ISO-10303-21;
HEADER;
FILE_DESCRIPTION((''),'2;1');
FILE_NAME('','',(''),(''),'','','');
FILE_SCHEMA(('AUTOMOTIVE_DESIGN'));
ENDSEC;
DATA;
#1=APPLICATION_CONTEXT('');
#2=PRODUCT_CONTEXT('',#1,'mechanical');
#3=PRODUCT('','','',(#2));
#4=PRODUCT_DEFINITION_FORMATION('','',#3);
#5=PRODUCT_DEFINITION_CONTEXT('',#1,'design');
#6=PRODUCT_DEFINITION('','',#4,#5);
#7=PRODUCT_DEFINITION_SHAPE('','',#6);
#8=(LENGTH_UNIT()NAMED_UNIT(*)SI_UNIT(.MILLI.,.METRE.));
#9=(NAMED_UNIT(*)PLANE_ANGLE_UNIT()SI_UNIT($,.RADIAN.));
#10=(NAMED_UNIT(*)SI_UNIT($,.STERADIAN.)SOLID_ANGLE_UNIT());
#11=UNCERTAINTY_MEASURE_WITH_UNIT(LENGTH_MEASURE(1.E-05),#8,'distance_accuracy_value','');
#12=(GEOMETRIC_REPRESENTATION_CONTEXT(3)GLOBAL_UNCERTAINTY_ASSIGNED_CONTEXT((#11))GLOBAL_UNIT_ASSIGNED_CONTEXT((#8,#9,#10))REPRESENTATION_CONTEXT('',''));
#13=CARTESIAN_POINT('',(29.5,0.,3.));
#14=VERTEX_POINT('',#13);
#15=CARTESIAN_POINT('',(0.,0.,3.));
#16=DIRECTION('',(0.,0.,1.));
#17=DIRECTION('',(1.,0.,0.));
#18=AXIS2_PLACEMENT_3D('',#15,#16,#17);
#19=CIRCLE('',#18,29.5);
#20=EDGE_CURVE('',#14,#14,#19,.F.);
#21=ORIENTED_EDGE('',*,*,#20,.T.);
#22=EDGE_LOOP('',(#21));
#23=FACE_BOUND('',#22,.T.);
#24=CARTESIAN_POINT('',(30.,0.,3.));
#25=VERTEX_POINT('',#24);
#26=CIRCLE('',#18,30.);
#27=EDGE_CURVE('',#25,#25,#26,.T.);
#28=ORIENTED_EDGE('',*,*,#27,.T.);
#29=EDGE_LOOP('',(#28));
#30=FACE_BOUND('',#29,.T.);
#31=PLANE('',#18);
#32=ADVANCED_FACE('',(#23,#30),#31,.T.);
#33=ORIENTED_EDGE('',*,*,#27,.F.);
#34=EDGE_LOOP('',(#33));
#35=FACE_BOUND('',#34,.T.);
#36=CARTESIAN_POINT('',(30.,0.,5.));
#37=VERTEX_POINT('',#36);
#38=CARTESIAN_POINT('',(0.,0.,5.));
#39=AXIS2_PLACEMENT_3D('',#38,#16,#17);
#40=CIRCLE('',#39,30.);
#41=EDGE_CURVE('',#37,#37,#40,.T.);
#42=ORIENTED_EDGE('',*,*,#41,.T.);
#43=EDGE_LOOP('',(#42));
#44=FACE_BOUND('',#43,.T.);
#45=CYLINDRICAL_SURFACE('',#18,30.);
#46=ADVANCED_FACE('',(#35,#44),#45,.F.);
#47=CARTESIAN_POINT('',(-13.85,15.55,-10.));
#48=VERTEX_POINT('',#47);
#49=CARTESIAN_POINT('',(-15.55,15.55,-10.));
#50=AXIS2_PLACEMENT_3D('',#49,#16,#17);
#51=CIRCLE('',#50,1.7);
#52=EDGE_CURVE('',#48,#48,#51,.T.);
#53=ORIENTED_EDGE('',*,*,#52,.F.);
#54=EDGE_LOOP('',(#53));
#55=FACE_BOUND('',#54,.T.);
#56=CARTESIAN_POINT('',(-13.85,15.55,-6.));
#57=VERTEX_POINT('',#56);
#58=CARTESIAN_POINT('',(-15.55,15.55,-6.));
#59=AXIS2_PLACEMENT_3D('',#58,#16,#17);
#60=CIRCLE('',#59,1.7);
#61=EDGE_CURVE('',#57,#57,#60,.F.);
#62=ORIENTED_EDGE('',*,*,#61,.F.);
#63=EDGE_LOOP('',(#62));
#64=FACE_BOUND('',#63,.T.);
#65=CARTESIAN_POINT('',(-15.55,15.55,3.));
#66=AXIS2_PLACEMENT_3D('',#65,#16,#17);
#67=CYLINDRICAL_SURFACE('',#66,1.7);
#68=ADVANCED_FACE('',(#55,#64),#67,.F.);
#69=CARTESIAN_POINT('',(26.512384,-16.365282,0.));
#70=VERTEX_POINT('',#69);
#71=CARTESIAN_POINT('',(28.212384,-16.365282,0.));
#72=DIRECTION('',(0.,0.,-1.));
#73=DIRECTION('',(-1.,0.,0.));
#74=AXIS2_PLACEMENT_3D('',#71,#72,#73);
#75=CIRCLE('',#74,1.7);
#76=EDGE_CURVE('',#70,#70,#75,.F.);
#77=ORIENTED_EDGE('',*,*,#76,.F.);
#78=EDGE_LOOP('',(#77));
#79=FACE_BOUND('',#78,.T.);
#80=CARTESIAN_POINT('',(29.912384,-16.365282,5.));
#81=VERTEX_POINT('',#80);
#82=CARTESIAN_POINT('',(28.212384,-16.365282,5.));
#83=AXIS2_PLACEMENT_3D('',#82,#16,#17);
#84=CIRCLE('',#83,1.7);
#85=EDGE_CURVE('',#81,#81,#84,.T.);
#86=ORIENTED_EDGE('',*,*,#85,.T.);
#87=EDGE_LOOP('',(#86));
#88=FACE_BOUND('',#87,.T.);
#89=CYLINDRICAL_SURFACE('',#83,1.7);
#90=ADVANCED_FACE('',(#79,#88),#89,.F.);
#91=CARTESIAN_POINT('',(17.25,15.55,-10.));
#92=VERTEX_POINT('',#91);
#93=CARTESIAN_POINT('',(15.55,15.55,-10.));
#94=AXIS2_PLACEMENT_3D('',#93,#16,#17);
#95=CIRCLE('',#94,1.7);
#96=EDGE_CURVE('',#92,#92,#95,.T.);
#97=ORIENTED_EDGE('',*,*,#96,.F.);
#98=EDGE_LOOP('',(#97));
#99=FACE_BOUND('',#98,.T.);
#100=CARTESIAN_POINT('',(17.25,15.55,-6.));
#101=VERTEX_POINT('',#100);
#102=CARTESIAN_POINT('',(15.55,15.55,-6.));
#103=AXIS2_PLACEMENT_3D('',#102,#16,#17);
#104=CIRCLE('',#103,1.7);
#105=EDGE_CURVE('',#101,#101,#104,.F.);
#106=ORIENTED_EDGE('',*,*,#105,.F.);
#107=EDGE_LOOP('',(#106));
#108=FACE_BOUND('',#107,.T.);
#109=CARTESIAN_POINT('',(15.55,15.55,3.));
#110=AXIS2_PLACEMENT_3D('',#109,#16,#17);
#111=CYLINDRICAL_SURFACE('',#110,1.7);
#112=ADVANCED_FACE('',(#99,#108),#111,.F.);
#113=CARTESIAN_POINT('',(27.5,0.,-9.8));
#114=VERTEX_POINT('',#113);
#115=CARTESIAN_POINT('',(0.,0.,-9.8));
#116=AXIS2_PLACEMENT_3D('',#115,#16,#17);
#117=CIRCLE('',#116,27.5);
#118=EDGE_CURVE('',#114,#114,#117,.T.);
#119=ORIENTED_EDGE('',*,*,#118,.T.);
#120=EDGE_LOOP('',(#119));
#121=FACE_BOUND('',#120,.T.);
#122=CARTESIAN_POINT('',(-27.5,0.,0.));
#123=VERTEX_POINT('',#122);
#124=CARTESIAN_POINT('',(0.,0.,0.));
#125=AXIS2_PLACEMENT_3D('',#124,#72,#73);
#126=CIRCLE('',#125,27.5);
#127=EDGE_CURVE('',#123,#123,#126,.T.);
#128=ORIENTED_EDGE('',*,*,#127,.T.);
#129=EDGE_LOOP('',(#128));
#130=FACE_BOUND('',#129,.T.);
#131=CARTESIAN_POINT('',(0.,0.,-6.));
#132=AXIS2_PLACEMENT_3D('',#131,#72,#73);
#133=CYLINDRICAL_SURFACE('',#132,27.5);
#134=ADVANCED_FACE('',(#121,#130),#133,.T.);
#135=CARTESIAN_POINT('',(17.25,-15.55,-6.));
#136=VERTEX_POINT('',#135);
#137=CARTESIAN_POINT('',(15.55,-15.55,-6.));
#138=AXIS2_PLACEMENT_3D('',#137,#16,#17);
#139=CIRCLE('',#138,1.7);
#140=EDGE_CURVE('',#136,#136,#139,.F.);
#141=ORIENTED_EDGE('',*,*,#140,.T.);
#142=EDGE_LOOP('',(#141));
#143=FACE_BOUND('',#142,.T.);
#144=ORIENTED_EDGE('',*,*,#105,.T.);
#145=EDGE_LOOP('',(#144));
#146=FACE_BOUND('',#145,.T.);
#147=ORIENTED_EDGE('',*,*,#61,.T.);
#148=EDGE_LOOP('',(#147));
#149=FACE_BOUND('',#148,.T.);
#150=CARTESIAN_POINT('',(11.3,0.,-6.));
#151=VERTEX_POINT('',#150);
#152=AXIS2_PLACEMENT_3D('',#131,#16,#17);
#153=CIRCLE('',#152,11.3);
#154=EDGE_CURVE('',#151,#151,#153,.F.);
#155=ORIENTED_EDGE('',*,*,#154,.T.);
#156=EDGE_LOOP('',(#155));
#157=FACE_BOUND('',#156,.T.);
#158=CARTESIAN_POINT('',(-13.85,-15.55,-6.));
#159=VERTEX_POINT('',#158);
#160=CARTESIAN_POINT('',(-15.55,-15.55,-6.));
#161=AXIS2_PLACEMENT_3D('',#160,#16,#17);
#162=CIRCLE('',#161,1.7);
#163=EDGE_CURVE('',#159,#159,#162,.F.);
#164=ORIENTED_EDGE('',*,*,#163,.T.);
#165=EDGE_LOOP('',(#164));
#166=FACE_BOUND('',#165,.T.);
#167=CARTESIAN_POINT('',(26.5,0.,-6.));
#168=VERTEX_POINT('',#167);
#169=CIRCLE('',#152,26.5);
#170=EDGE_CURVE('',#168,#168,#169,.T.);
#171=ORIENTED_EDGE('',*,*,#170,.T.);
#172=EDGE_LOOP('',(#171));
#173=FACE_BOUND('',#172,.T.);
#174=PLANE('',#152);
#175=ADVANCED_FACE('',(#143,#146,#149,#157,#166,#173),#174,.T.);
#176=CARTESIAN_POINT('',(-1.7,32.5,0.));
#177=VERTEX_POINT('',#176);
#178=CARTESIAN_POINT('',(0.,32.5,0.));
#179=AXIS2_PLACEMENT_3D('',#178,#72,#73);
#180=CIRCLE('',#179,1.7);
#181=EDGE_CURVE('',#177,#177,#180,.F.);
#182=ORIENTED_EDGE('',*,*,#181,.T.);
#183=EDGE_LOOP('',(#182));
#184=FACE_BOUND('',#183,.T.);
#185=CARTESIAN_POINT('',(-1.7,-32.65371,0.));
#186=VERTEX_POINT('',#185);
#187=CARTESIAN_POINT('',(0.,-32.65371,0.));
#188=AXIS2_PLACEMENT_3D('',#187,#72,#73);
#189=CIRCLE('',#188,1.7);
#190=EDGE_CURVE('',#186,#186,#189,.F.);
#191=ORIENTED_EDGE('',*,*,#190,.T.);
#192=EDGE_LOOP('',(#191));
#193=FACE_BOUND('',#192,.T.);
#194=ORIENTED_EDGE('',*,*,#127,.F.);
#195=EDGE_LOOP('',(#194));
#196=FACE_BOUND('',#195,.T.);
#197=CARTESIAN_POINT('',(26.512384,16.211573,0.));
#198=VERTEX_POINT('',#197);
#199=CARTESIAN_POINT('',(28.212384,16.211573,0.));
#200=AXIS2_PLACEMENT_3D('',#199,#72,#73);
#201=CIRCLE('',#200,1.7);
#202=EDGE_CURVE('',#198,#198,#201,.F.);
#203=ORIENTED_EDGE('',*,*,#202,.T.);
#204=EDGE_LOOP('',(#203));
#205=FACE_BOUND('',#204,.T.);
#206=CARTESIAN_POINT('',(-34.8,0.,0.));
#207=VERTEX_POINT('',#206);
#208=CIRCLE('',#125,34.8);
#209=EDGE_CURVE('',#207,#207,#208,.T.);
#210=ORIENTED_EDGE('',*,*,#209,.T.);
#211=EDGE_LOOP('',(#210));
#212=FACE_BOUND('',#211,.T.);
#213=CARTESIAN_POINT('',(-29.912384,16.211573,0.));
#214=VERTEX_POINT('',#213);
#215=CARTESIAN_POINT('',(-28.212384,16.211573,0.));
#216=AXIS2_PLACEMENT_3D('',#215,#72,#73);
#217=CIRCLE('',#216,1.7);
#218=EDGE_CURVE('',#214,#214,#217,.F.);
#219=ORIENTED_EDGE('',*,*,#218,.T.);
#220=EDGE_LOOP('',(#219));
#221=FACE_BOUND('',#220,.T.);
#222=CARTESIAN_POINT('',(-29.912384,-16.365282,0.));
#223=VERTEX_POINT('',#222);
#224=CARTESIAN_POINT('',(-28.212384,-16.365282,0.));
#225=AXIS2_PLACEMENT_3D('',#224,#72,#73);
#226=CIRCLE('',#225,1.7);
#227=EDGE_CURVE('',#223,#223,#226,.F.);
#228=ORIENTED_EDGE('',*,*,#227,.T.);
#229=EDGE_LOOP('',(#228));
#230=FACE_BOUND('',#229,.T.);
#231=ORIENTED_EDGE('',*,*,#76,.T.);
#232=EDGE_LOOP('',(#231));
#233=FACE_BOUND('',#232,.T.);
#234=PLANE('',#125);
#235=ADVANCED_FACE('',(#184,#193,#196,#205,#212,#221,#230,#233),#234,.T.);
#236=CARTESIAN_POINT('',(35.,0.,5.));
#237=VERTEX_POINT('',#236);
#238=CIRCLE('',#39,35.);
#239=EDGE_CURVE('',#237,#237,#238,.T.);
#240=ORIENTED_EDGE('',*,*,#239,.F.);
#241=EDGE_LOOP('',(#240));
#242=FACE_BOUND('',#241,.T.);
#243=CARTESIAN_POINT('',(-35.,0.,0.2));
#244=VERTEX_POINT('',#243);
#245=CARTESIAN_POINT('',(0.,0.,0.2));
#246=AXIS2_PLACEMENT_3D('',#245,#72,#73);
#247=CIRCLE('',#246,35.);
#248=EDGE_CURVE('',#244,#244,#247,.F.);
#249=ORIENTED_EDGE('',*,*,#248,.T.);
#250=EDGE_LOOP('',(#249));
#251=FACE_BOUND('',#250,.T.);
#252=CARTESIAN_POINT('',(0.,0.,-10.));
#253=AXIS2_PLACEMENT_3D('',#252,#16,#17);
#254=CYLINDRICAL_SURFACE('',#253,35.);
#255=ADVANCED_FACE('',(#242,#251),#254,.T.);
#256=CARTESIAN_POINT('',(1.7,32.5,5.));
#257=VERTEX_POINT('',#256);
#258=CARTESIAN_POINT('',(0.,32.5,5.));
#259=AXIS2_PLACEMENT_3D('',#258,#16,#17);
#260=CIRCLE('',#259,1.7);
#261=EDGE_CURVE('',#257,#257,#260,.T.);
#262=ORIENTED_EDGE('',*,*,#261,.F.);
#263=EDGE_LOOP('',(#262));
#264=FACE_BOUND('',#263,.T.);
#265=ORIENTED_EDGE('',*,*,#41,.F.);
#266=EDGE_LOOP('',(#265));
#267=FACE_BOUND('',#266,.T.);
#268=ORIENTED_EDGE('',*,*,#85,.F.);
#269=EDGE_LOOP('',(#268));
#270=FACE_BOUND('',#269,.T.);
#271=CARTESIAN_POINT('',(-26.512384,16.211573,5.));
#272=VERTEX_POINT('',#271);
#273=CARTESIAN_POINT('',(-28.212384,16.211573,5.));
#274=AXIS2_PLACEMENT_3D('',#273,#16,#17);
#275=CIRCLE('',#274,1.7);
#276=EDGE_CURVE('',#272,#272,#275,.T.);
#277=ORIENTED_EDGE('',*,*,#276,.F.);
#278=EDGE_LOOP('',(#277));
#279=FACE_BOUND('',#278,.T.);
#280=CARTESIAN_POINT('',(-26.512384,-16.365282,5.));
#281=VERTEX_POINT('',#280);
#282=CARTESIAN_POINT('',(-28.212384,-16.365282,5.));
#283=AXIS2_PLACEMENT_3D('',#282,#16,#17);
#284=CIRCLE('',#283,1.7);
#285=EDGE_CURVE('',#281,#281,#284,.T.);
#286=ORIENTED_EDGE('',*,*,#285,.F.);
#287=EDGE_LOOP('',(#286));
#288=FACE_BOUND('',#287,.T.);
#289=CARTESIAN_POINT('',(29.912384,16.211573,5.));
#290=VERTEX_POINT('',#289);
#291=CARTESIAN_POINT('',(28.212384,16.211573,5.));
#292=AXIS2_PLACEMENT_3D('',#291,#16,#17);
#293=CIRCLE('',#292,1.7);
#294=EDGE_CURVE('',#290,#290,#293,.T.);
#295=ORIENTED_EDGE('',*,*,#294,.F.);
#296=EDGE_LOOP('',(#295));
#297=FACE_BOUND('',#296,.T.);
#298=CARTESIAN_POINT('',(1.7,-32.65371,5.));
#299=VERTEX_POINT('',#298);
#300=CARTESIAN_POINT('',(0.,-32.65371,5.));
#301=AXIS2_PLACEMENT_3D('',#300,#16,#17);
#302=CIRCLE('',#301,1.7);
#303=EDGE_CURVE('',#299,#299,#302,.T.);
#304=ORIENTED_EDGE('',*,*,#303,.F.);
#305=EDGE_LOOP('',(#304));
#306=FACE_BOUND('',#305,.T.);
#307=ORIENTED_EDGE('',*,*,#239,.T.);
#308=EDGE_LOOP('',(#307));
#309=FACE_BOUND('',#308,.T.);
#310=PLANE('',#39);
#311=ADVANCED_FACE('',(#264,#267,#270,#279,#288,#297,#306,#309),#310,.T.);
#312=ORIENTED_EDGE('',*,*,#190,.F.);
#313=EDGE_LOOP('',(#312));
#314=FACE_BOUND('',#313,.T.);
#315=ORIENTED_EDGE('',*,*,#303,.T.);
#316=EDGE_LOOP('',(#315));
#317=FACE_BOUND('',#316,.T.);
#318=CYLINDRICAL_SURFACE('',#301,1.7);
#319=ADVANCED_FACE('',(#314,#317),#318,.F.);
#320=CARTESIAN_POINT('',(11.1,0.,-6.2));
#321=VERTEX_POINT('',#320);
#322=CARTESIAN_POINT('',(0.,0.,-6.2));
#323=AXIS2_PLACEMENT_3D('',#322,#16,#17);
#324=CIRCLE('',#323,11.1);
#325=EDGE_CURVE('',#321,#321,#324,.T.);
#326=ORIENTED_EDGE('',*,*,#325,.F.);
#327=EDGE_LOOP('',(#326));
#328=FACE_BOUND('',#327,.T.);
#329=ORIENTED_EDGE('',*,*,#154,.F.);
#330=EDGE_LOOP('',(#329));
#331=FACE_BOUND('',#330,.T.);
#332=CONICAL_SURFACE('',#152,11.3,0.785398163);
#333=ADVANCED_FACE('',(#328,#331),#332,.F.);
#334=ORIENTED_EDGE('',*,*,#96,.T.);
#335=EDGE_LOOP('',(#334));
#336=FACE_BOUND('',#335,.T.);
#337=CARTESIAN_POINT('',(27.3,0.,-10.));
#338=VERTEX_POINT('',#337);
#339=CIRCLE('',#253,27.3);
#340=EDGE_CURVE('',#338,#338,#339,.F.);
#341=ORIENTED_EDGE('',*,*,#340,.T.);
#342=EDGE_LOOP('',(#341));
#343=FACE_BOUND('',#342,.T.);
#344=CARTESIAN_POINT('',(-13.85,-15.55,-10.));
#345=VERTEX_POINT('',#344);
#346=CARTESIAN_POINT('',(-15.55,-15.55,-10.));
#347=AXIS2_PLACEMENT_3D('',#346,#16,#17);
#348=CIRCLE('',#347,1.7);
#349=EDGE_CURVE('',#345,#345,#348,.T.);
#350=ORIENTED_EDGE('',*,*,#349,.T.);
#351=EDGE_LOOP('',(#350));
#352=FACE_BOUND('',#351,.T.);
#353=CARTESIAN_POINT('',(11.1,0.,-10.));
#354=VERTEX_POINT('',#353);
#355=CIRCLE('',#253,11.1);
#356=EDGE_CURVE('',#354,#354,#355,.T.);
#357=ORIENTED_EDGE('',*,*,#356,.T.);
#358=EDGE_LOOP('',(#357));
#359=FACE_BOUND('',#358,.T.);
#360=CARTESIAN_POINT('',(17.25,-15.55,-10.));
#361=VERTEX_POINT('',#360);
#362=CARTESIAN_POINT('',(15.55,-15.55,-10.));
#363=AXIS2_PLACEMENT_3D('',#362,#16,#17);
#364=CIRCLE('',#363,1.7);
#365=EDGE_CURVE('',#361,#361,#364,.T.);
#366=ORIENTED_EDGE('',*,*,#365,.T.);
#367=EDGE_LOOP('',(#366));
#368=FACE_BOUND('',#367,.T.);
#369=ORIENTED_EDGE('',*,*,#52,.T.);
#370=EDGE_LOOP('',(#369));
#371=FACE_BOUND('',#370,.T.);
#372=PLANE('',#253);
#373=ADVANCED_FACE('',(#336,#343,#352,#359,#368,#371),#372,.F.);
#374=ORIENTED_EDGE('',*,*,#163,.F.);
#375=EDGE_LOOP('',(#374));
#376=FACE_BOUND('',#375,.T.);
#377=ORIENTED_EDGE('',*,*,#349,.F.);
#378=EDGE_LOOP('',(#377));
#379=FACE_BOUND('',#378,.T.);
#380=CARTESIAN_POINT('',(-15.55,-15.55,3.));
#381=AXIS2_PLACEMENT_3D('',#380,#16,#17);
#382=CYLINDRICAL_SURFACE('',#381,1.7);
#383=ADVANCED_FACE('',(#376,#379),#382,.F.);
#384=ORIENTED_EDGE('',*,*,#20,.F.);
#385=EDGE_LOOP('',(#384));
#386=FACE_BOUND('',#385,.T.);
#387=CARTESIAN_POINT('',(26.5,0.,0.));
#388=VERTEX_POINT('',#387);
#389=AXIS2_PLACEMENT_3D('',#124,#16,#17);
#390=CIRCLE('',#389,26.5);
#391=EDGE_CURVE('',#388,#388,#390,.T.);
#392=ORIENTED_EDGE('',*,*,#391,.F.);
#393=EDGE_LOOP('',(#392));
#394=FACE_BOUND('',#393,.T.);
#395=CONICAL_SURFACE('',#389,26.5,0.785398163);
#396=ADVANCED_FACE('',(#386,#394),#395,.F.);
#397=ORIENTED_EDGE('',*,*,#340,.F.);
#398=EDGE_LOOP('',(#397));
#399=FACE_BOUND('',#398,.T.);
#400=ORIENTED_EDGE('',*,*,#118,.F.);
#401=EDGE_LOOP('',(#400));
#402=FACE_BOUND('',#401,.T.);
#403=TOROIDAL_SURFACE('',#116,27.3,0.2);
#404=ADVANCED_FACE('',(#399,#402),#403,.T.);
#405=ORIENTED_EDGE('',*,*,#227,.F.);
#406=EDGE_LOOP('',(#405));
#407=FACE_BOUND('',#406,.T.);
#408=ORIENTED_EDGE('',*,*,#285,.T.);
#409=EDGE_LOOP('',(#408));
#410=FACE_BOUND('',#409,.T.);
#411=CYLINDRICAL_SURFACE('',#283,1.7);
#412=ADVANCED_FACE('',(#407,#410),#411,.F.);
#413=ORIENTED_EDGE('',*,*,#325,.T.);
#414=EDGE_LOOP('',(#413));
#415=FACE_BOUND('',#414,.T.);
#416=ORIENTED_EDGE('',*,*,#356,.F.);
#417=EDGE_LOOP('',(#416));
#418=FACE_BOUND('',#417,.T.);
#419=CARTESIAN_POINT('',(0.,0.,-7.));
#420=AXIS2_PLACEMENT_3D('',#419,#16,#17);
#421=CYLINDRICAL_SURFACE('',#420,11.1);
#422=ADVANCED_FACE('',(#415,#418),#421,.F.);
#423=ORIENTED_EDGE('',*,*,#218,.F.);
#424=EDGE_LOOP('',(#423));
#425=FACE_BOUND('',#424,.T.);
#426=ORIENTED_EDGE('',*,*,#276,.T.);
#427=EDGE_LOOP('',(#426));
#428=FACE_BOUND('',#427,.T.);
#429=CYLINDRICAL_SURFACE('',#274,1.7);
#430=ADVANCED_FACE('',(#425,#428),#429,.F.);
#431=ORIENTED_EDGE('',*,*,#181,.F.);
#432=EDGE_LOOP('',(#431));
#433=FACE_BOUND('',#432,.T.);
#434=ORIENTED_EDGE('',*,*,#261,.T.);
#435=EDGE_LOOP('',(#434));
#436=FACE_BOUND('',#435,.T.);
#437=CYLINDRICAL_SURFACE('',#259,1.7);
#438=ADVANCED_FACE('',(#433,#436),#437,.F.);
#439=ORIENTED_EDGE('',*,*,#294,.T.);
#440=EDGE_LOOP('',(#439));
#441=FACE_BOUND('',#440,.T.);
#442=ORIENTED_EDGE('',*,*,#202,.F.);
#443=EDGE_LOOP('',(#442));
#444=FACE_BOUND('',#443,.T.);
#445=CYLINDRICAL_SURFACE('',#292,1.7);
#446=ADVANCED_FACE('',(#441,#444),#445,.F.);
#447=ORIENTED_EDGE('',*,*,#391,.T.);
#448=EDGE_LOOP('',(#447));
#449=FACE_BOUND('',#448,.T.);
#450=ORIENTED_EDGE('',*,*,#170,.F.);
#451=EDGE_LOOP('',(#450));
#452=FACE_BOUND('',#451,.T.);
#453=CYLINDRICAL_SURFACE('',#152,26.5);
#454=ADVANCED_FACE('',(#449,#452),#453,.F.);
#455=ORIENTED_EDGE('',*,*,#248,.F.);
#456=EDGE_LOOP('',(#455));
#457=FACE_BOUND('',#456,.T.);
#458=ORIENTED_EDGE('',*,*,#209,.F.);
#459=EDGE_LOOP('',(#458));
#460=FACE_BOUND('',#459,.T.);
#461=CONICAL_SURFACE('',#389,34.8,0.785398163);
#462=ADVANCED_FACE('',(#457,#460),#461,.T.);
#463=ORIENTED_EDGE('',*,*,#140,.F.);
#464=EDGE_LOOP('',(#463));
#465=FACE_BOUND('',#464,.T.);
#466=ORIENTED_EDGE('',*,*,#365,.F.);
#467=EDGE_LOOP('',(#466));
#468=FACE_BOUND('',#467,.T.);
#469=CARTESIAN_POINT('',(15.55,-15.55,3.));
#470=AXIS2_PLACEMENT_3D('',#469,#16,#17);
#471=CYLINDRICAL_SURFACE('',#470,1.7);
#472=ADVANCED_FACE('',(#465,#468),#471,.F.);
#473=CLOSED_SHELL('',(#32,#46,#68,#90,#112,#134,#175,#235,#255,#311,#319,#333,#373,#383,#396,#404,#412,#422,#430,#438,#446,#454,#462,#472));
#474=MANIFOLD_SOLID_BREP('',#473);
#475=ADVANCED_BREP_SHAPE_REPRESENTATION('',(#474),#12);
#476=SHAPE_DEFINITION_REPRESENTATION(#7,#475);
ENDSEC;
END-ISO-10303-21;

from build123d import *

# Parameters (mm, degrees)
BOSS_EXTRUDE1_DEPTH      = 5
BOSS_EXTRUDE1_DEPTH_BACK = 10
SKETCH1_R                = 35
M3_CLEARANCE_HOLE1_D     = 3.4
CIRPATTERN1_COUNT        = 6
SKETCH4_R                = 30
CUT_EXTRUDE1_DEPTH       = 2
M3_CLEARANCE_HOLE2_D     = 3.4
SKETCH8_R                = 35
SKETCH8_R_2              = 27.5
CUT_EXTRUDE4_DEPTH       = 4
FILLET1_R                = 0.2
SKETCH9_R                = 11.1
CUT_EXTRUDE5_DEPTH       = 10
SKETCH10_R               = 35
SKETCH10_R_2             = 27.5
CUT_EXTRUDE6_DEPTH       = 10
SKETCH11_R               = 26.5
CUT_EXTRUDE7_DEPTH       = 9
SKETCH12_R               = 11.1
CUT_EXTRUDE8_DEPTH       = 9
CHAMFER1_SIZE            = 0.2
CHAMFER2_SIZE            = 3


with BuildPart() as part:
    # Sketch1 → Boss-Extrude1 (new, two sides: drawn at the far end of the back side and taken through both)
    with BuildSketch(Plane.XY.offset(-BOSS_EXTRUDE1_DEPTH_BACK)):
        Circle(SKETCH1_R)
    extrude(amount=BOSS_EXTRUDE1_DEPTH + BOSS_EXTRUDE1_DEPTH_BACK)

    # M3 Clearance Hole1 (through all)
    with Locations(Plane.XY.offset(5)):
        with Locations((0, 32.5)):
            m3_clearance_hole1 = Hole(M3_CLEARANCE_HOLE1_D / 2)

    # CirPattern1: M3 Clearance Hole1 ×6 about axis
    cirpattern1_axis = Axis((0, -0.076854784, 0), (0, 0, 1))
    for i in range(1, CIRPATTERN1_COUNT):
        add(m3_clearance_hole1.rotate(cirpattern1_axis, i * 360 / CIRPATTERN1_COUNT), mode=Mode.SUBTRACT)

    # Sketch4 → Cut-Extrude1 (cut)
    with BuildSketch(Plane.XY.offset(5)):
        Circle(SKETCH4_R)
    extrude(amount=-CUT_EXTRUDE1_DEPTH, mode=Mode.SUBTRACT)

    # M3 Clearance Hole2 (through all)
    with Locations(Plane(origin=(-15.55, 15.55, 3), x_dir=(1, 0, 0), z_dir=(0, 0, 1))):
        with Locations((0, 0), (31.1, 0), (31.1, -31.1), (0, -31.1)):
            Hole(M3_CLEARANCE_HOLE2_D / 2)

    # Sketch8 → Cut-Extrude4 (cut)
    with BuildSketch(Plane(origin=(0, 0, -10), x_dir=(-1, 0, 0), z_dir=(0, 0, -1))):
        with Locations(Location((0, 0, 0), (0, 0, 180))):
            Circle(SKETCH8_R)
        Circle(SKETCH8_R_2, mode=Mode.SUBTRACT)
    extrude(amount=-CUT_EXTRUDE4_DEPTH, mode=Mode.SUBTRACT)

    # Fillet1
    fillet1_edges = [part.edges().sort_by_distance(p)[0] for p in [
        (-35, 0, -6),
        (27.5, 0, -10),
    ]]
    fillet(fillet1_edges, radius=FILLET1_R)

    # Sketch9 → Cut-Extrude5 (cut)
    with BuildSketch(Plane.XY.offset(3)):
        Circle(SKETCH9_R)
    extrude(amount=-CUT_EXTRUDE5_DEPTH, mode=Mode.SUBTRACT)

    # Sketch10 → Cut-Extrude6 (cut)
    with BuildSketch(Plane(origin=(0, 0, -10), x_dir=(-1, 0, 0), z_dir=(0, 0, -1))):
        with Locations(Location((0, 0, 0), (0, 0, 180))):
            Circle(SKETCH10_R)
        Circle(SKETCH10_R_2, mode=Mode.SUBTRACT)
    extrude(amount=-CUT_EXTRUDE6_DEPTH, mode=Mode.SUBTRACT)

    # Sketch11 → Cut-Extrude7 (cut)
    with BuildSketch(Plane.XY.offset(3)):
        Circle(SKETCH11_R)
    extrude(amount=-CUT_EXTRUDE7_DEPTH, mode=Mode.SUBTRACT)

    # Sketch12 → Cut-Extrude8 (cut)
    with BuildSketch(Plane.XY.offset(-7)):
        Circle(SKETCH12_R)
    extrude(amount=-CUT_EXTRUDE8_DEPTH, mode=Mode.SUBTRACT)

    # Chamfer1
    chamfer1_edges = [part.edges().sort_by_distance(p)[0] for p in [
        (-35, 0, 0),
        (-11.1, 0, -6),
    ]]
    chamfer(chamfer1_edges, length=CHAMFER1_SIZE)

    # Chamfer2
    chamfer2_edges = [part.edges().sort_by_distance(p)[0] for p in [
        (-26.5, 0, 3),
    ]]
    chamfer(chamfer2_edges, length=CHAMFER2_SIZE)


solid = part.part
